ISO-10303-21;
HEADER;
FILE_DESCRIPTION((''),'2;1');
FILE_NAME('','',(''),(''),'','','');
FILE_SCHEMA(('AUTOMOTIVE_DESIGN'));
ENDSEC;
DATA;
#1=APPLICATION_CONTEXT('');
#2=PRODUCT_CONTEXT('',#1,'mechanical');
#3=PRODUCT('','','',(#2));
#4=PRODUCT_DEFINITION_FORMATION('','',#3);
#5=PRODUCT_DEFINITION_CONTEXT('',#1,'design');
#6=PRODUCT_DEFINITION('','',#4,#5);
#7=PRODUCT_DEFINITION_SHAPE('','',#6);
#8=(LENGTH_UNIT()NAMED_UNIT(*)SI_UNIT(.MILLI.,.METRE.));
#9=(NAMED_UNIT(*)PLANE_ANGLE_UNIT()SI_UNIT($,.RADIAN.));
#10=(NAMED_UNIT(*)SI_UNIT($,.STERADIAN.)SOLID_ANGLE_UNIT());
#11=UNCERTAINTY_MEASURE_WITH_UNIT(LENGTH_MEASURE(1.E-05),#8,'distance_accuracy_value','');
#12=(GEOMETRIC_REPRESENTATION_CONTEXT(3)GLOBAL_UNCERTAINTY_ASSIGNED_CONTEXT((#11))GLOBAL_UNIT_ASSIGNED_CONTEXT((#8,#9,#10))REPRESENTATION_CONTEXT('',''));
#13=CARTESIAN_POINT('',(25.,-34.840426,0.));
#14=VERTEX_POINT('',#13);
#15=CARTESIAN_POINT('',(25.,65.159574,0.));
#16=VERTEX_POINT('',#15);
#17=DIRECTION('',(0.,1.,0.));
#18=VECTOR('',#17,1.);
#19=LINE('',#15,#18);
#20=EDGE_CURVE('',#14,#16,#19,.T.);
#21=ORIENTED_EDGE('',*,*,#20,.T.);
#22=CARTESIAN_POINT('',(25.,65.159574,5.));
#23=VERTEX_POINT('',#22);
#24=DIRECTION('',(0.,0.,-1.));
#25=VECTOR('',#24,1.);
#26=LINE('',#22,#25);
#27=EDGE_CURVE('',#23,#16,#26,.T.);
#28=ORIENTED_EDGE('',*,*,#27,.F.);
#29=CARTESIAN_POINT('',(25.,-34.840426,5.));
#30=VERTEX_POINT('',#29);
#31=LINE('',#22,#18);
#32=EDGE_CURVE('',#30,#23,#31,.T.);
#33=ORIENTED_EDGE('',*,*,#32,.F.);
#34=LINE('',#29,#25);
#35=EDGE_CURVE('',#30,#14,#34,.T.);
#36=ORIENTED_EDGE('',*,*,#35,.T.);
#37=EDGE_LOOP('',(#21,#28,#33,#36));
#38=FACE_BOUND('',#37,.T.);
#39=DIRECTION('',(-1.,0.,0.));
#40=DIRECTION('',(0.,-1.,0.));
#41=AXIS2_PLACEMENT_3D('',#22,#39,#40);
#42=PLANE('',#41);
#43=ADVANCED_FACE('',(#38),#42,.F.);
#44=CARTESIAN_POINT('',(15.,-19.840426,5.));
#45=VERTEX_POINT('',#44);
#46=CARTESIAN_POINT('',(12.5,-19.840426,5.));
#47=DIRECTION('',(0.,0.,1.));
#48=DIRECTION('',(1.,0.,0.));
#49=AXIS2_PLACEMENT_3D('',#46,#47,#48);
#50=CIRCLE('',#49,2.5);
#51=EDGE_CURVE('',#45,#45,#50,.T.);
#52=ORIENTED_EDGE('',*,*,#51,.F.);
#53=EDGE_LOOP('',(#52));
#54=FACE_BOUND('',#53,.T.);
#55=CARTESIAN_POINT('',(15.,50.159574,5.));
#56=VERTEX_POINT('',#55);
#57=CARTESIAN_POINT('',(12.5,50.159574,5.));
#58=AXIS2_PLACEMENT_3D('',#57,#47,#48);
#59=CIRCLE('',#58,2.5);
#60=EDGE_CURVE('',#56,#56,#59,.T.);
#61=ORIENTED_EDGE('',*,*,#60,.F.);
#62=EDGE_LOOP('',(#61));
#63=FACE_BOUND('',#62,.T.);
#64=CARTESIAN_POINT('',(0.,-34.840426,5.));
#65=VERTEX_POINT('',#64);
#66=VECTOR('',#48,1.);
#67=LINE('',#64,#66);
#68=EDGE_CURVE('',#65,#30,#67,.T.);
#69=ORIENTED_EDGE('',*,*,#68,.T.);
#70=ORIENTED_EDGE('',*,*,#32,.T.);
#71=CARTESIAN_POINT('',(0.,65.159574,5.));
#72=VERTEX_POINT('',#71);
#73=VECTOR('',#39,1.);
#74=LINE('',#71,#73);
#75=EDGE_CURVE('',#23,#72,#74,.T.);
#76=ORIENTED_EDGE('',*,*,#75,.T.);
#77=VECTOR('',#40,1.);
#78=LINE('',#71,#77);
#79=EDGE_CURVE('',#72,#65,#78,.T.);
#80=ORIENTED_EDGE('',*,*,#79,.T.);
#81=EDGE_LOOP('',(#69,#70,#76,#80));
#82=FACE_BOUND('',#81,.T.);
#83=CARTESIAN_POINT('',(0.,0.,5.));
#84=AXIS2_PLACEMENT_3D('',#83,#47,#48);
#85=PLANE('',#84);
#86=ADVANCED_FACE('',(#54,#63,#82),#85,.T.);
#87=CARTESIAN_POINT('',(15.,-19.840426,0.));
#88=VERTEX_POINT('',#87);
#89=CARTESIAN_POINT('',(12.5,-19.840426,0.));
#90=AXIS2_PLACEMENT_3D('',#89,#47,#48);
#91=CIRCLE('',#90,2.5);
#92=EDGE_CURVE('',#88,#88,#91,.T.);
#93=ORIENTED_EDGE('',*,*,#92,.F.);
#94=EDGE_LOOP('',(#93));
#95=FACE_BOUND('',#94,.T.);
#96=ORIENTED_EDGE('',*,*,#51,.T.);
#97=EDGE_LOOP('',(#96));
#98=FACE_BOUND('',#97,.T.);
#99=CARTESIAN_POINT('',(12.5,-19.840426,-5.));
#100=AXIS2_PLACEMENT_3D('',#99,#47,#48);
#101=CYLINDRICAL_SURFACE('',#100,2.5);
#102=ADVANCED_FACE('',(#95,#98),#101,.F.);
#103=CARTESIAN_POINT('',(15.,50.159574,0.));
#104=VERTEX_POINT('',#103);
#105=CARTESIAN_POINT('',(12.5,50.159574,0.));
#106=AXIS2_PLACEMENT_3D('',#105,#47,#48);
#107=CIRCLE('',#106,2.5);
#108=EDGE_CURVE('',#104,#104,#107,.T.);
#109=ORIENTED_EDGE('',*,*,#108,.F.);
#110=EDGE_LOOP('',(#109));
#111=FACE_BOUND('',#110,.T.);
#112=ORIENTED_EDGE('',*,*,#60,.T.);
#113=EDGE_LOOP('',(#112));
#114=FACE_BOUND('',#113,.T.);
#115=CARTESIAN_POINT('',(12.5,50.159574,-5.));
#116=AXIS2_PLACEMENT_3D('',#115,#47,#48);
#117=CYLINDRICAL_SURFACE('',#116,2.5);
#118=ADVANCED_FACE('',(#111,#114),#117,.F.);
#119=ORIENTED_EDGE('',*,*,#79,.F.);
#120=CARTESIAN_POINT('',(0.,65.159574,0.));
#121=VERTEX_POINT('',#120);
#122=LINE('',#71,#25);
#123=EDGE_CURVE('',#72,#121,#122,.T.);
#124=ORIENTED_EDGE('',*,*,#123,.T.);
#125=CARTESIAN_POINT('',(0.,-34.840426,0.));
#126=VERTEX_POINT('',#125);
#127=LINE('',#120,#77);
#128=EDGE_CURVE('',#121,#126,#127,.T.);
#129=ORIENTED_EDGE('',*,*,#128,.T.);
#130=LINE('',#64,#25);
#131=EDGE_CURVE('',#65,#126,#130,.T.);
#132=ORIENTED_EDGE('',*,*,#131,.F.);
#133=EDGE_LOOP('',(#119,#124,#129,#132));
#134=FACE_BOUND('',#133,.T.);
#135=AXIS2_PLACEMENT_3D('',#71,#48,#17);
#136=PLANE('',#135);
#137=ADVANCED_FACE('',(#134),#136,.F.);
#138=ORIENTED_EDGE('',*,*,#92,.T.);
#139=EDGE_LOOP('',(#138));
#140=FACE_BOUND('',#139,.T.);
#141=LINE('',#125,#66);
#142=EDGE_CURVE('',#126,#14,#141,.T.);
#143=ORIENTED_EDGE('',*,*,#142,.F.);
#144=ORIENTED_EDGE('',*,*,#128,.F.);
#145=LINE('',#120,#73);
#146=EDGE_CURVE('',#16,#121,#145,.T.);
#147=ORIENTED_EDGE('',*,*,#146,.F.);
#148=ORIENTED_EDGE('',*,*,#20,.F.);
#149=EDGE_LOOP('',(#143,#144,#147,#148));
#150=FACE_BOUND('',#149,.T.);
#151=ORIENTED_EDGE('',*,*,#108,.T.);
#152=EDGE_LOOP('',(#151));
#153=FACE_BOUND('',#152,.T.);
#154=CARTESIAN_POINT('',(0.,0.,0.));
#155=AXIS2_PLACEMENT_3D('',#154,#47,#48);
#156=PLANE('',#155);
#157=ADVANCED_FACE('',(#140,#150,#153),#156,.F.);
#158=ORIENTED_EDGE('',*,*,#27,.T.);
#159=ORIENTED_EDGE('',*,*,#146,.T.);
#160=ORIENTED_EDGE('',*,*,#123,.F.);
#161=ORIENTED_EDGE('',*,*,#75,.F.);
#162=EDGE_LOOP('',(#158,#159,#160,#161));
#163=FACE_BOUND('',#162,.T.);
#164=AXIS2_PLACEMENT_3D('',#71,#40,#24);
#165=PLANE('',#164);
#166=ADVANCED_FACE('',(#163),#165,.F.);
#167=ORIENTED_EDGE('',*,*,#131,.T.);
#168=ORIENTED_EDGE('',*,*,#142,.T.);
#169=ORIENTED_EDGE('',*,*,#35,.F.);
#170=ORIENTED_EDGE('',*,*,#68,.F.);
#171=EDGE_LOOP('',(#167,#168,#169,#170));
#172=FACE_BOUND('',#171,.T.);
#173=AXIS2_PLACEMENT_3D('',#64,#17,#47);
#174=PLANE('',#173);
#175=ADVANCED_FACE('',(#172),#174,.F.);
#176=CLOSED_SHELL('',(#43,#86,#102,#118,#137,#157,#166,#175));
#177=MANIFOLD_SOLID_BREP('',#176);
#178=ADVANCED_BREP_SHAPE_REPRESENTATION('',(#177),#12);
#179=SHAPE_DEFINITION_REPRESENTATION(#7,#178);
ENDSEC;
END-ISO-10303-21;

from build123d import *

# Parameters (mm, degrees)
SKETCH1_W           = 25
SKETCH1_H           = 100
BOSS_EXTRUDE1_DEPTH = 5
SKETCH2_R           = 2.5
CUT_EXTRUDE1_DEPTH  = 10


with BuildPart() as part:
    # Sketch1 → Boss-Extrude1 (new body)
    with BuildSketch(Plane.XY):
        with Locations((12.5, 15.159574468)):
            Rectangle(SKETCH1_W, SKETCH1_H)
    extrude(amount=BOSS_EXTRUDE1_DEPTH)

    # Sketch2 → Cut-Extrude1 (cut)
    with BuildSketch(Plane.XY.offset(5)):
        with Locations((12.5, 50.159574468)):
            Circle(SKETCH2_R)
        with Locations((12.5, -19.840425532)):
            Circle(SKETCH2_R)
    extrude(amount=-CUT_EXTRUDE1_DEPTH, mode=Mode.SUBTRACT)


solid = part.part
